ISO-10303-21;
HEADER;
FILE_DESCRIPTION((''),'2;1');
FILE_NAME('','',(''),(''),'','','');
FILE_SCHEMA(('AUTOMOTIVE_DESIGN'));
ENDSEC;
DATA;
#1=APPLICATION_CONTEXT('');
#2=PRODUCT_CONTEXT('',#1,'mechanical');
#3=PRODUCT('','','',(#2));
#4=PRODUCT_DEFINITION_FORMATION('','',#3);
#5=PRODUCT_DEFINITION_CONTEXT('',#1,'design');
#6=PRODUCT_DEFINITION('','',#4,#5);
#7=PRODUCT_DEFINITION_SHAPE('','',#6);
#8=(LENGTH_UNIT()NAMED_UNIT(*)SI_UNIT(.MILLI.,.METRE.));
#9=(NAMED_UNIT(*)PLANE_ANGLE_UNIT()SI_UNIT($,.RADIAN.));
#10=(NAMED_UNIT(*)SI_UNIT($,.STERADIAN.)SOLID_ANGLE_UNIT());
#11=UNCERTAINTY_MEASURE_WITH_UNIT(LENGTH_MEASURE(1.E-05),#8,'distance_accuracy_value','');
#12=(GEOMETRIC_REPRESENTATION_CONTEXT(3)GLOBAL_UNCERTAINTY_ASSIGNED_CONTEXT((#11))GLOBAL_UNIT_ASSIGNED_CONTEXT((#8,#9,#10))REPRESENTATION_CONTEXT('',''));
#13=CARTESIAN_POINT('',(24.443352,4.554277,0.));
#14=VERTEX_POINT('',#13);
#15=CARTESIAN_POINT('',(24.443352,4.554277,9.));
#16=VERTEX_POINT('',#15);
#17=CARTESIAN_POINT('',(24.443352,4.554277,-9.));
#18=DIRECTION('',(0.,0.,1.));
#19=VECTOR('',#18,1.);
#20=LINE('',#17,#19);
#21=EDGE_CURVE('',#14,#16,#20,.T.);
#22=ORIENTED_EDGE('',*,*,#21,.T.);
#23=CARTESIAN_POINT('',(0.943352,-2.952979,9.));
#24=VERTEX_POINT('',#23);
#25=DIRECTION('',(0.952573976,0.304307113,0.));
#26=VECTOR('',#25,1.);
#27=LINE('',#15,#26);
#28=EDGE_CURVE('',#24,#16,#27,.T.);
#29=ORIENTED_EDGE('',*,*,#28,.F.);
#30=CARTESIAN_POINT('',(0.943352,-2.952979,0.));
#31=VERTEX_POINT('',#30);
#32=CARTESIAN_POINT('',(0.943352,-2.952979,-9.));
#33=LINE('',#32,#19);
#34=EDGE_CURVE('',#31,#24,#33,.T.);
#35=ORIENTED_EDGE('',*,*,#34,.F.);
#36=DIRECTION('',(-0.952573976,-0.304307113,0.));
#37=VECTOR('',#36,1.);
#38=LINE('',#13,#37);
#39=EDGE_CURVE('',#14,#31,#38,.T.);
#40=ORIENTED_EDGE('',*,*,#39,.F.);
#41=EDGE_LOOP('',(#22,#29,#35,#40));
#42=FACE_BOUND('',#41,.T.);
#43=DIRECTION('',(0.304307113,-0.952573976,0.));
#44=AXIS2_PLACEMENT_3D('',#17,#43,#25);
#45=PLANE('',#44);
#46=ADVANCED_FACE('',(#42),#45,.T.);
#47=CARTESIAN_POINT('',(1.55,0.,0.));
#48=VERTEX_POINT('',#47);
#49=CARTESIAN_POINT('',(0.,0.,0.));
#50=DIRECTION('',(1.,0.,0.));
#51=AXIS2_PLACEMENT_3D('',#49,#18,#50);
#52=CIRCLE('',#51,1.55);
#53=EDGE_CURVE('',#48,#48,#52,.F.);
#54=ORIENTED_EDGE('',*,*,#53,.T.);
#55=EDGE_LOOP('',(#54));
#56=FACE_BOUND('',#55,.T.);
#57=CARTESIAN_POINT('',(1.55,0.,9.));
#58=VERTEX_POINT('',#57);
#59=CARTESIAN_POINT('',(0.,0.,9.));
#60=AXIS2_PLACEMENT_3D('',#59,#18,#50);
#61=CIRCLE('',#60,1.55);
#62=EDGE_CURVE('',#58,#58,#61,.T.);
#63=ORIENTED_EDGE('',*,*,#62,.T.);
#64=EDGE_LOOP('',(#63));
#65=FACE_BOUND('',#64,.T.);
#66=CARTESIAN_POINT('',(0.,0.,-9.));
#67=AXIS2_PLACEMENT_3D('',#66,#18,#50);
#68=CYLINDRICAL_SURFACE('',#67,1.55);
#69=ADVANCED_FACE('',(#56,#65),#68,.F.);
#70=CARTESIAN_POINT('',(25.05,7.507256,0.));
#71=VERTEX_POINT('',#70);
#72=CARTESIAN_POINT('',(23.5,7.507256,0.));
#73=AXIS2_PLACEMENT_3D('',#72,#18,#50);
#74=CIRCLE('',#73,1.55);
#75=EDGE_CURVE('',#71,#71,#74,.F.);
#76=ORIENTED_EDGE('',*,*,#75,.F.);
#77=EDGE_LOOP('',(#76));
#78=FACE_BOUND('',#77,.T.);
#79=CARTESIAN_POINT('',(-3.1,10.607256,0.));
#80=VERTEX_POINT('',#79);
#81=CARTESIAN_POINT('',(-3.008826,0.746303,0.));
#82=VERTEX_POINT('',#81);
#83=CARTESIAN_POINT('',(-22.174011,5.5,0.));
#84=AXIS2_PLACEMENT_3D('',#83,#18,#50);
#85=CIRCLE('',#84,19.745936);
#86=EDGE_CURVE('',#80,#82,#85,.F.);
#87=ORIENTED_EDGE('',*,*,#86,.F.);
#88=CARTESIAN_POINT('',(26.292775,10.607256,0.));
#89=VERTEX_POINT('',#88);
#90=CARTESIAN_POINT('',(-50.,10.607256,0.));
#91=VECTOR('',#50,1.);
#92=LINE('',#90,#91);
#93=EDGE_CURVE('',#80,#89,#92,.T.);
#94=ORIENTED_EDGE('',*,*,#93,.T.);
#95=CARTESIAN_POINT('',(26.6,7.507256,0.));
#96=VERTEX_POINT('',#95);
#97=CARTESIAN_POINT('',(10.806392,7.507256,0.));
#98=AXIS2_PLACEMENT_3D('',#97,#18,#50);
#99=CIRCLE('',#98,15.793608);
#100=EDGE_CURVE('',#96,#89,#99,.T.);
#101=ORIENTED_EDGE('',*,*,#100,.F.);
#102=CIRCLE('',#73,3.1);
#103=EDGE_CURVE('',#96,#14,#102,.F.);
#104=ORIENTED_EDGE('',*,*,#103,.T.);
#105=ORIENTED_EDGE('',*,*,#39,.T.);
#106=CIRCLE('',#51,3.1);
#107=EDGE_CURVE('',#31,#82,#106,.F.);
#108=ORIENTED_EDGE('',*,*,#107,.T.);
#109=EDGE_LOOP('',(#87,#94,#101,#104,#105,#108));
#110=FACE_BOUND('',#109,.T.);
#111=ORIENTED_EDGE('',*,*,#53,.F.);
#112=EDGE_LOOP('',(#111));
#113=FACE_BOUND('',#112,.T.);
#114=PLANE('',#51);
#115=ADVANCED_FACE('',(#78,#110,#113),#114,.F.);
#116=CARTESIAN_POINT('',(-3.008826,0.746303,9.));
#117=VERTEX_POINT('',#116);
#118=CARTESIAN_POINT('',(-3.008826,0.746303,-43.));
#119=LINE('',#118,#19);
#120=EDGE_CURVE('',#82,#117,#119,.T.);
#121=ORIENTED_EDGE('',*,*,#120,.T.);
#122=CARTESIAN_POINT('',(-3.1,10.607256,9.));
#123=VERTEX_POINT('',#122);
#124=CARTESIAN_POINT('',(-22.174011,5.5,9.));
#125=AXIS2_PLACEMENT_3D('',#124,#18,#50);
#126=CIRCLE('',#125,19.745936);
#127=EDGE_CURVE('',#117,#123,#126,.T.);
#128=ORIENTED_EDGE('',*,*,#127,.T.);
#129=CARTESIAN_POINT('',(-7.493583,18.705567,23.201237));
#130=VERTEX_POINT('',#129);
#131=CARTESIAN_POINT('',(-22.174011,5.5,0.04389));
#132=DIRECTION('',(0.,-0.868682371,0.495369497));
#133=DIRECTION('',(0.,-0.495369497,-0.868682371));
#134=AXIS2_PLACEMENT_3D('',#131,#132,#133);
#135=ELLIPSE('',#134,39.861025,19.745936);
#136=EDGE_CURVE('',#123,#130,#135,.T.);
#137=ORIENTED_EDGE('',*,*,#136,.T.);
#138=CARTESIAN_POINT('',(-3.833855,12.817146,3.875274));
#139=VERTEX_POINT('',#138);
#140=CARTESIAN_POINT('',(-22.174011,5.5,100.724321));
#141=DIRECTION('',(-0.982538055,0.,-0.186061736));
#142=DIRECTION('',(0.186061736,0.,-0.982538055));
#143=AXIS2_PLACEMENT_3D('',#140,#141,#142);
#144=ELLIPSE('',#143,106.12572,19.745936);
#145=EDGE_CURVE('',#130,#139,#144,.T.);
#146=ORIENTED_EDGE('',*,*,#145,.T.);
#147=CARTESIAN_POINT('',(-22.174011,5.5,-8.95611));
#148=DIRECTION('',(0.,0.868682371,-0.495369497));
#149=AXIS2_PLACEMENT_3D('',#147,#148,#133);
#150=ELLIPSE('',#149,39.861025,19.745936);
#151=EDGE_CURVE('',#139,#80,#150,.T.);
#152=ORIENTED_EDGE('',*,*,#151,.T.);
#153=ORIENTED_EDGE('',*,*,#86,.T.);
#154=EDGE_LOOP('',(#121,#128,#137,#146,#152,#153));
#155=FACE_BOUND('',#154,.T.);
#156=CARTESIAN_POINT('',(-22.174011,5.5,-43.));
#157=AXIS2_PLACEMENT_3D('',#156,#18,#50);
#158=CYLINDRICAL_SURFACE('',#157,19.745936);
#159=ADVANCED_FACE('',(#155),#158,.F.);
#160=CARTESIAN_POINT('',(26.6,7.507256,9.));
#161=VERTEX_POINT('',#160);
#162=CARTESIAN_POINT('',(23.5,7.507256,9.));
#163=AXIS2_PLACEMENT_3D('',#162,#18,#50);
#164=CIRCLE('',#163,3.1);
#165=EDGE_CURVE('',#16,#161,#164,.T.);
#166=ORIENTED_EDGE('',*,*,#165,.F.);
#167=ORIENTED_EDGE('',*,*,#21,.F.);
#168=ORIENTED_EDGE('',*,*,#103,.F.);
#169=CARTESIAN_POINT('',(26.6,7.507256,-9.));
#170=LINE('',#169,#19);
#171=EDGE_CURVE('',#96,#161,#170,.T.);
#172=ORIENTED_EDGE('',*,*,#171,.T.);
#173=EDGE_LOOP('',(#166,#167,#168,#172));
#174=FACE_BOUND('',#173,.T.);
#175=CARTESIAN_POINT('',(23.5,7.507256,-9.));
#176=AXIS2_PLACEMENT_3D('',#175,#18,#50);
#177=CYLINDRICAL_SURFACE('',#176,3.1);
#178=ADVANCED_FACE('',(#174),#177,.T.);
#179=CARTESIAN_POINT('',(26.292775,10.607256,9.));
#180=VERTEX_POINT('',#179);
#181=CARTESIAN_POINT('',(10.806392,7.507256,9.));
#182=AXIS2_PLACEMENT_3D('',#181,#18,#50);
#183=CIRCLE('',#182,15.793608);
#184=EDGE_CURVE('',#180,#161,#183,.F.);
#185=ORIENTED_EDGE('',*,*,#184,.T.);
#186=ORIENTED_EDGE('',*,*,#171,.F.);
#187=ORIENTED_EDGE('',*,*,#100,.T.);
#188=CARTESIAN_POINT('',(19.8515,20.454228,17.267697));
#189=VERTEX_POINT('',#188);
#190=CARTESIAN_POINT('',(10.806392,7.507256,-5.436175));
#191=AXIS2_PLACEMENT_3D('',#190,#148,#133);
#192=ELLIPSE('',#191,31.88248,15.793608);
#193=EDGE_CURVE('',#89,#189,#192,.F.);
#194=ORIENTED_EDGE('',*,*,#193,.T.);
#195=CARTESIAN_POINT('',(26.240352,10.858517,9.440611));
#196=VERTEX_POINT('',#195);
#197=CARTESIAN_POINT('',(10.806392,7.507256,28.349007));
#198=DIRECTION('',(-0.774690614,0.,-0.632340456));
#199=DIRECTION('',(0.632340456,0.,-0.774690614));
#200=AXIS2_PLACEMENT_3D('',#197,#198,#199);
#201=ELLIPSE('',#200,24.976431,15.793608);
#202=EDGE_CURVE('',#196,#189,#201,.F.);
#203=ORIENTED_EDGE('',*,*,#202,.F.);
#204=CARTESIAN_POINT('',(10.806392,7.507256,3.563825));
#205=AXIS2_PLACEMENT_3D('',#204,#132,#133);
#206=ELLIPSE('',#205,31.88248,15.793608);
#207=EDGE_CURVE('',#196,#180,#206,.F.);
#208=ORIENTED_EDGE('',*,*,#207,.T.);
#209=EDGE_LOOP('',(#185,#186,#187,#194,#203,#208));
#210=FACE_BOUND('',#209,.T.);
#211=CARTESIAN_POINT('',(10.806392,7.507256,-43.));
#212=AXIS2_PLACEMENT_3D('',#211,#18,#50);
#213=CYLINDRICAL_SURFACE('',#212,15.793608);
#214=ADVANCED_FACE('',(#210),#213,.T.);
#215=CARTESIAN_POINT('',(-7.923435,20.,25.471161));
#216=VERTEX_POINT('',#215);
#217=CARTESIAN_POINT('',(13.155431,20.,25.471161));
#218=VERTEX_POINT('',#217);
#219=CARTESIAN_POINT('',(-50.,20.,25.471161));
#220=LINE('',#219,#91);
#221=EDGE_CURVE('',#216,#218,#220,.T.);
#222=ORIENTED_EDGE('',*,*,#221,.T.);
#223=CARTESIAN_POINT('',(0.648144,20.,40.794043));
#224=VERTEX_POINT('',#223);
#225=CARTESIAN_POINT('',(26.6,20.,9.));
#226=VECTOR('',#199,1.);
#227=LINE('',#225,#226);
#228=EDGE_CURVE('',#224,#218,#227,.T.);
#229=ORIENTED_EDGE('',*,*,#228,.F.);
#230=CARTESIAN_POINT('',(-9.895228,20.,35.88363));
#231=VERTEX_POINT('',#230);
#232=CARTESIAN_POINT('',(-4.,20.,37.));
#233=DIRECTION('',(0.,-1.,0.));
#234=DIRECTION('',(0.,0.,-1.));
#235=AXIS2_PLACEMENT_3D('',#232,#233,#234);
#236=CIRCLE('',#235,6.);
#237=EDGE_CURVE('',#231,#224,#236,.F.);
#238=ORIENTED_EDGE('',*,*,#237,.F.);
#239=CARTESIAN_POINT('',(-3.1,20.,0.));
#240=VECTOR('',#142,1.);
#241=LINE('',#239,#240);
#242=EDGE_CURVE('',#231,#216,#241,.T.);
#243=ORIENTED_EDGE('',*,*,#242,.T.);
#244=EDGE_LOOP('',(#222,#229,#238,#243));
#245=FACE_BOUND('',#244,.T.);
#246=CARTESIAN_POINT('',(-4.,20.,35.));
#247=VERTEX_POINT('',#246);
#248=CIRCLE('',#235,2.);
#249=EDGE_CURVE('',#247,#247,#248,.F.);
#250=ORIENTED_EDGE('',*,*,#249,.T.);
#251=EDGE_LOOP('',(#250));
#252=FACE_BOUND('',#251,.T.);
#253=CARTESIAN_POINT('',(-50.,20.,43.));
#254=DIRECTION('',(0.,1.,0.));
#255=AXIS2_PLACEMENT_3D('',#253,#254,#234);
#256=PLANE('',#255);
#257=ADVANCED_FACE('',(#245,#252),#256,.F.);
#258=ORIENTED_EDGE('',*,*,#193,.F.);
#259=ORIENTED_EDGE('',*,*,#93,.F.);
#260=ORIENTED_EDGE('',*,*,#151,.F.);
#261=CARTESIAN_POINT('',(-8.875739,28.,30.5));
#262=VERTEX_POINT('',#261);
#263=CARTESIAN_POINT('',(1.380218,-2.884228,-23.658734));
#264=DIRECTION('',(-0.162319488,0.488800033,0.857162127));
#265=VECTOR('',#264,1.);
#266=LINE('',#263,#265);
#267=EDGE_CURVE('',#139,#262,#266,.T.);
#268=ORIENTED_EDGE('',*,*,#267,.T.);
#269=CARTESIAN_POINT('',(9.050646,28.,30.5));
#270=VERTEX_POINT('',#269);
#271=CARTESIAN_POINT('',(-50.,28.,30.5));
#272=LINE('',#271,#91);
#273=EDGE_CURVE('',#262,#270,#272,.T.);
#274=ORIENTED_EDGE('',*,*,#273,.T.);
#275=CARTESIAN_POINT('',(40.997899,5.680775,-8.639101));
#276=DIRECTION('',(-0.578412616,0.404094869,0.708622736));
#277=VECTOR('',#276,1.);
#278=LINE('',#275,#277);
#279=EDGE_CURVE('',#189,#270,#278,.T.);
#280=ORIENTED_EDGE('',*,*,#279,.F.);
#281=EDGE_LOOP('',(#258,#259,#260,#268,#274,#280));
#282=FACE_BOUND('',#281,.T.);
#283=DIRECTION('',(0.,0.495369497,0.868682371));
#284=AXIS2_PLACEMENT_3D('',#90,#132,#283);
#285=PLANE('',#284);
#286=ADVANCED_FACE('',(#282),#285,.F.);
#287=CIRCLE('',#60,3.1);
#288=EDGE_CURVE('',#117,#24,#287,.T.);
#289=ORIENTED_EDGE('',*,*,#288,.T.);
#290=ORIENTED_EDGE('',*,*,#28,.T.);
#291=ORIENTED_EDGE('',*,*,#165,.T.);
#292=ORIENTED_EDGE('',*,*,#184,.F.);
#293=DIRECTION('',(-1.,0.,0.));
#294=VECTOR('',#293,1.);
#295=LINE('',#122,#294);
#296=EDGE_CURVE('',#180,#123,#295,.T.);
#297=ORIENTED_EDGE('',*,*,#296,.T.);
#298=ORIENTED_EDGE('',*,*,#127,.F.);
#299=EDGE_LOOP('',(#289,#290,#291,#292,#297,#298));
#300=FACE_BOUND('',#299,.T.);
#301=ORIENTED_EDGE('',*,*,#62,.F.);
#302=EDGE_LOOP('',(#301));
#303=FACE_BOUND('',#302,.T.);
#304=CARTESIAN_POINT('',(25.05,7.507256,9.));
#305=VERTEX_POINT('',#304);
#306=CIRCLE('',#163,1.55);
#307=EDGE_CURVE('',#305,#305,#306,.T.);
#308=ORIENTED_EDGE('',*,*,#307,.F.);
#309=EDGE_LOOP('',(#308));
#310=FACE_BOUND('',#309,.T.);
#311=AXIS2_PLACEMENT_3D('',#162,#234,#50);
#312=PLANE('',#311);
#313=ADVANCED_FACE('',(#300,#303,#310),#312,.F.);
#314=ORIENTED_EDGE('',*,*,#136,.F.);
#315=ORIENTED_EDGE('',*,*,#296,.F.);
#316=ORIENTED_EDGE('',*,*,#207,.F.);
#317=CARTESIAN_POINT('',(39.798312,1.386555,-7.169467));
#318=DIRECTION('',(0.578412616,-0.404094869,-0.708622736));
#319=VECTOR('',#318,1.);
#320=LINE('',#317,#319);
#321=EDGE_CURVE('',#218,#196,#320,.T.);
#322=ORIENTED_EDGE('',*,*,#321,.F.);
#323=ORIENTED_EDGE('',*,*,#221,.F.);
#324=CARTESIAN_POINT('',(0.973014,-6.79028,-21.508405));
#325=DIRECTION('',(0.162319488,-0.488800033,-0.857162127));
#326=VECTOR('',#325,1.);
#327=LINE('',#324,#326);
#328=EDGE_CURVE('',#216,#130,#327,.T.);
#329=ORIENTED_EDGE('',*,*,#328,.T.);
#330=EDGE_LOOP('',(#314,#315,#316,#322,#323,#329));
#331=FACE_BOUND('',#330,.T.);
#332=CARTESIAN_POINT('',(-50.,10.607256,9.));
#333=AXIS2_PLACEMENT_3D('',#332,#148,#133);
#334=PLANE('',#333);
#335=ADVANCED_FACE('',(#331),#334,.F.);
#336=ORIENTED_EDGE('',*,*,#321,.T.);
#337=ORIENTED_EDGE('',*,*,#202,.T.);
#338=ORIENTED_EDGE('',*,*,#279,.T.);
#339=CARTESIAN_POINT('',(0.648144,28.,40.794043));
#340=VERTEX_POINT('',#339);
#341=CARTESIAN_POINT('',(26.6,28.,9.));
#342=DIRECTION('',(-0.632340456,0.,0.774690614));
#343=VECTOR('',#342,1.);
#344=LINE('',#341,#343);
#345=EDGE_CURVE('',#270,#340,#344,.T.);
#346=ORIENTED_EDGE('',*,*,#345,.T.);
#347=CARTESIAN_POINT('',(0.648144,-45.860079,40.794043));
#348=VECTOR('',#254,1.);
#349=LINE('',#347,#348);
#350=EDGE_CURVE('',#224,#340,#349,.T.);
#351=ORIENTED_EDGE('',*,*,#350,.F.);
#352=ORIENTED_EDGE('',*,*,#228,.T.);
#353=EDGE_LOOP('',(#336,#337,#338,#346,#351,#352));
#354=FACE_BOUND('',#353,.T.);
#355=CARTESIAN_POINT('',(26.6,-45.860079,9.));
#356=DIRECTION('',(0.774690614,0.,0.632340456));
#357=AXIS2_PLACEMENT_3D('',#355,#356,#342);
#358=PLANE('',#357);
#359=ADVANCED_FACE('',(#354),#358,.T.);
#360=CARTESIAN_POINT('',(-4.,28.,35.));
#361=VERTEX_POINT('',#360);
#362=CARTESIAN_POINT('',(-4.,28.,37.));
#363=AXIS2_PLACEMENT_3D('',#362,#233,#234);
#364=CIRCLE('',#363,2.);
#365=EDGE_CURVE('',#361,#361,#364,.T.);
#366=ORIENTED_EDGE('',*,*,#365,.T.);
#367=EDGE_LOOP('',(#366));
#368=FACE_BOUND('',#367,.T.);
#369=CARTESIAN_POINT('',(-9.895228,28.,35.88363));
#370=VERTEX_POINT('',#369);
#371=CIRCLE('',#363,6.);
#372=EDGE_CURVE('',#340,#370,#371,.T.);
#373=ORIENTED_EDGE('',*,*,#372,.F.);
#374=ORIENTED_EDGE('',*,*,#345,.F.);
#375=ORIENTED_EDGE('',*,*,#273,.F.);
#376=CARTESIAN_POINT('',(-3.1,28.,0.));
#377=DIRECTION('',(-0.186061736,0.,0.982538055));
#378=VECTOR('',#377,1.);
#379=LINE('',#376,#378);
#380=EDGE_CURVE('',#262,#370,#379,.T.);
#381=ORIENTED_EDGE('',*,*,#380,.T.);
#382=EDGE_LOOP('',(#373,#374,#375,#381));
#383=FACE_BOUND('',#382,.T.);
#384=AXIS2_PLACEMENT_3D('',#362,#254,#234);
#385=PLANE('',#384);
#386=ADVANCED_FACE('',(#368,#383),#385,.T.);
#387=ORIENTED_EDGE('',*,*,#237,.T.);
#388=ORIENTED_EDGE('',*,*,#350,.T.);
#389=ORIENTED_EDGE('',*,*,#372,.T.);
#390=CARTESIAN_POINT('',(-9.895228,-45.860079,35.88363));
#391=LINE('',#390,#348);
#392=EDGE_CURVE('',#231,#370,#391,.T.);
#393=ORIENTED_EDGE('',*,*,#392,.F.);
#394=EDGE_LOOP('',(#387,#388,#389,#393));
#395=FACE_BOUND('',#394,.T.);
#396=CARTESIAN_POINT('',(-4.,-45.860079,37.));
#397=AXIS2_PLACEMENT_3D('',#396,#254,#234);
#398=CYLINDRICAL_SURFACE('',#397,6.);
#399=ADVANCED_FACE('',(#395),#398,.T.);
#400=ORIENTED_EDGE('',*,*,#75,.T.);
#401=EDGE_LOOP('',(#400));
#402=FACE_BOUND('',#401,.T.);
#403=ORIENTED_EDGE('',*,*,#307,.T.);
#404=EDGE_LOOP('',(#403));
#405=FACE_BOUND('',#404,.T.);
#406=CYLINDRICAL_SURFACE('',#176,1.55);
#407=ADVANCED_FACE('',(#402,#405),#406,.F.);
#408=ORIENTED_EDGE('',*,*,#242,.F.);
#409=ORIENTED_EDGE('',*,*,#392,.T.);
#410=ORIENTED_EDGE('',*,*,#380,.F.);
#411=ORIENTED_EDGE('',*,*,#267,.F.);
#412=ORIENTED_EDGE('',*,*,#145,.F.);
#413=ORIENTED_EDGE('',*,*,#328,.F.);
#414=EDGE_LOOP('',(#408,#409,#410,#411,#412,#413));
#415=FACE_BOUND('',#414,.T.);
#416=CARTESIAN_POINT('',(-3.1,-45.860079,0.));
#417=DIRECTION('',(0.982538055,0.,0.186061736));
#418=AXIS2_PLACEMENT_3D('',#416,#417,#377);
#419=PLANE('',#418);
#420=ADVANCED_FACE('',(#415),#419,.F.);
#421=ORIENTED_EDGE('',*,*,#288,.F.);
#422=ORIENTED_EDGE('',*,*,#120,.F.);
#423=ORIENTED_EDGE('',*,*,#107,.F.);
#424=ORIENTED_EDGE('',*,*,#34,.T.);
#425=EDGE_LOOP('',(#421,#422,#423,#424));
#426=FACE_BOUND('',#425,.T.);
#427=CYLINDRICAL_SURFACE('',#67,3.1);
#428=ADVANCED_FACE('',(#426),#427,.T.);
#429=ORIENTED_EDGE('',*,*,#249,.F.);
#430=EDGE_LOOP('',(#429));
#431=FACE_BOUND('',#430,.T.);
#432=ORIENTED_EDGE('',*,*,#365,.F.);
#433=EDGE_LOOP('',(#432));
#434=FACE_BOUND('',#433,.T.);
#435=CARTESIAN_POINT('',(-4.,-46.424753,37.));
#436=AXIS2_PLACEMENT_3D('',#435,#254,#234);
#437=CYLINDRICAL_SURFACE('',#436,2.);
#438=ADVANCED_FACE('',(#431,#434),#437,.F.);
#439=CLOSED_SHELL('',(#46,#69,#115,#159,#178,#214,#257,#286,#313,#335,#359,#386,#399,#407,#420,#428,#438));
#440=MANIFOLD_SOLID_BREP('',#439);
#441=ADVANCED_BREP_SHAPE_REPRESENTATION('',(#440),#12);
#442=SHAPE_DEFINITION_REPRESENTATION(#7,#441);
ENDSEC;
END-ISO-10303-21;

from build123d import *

# Parameters (mm, degrees)
SKETCH1_R            = 1.55
BOSS_EXTRUDE1_DEPTH  = 9
BOSS_EXTRUDE12_DEPTH = 17.39274351
SKETCH7_3_OUTSIDE_W  = 51.494
SKETCH7_3_OUTSIDE_H  = 57.894
SKETCH7_3_OUTSIDE_R  = 2
CUT_EXTRUDE3_DEPTH   = 17.39274351
CUT_EXTRUDE2_DEPTH   = 50
CUT_EXTRUDE5_DEPTH   = 58.797577804
CUT_EXTRUDE7_DEPTH   = 58.797577804
SKETCH15_W           = 41.045636652
SKETCH15_H           = 32.401588668
CUT_EXTRUDE8_DEPTH   = 58.797577804


with BuildPart() as part:
    # Sketch1 → Boss-Extrude1 (new body)
    with BuildSketch(Plane.XY):
        with BuildLine():
            Line((26.6, 7.50725649), (26.6, 10.60725649))
            Line((26.6, 10.60725649), (-3.1, 10.60725649))
            Line((-3.1, 10.60725649), (-3.1, 0))
            ThreePointArc((-3.1, 0), (-1.828333755, -2.503436774), (0.943352052, -2.952979327))
            Line((0.943352052, -2.952979327), (24.443352052, 4.554277162))
            ThreePointArc((24.443352052, 4.554277162), (26.003436774, 5.678922735), (26.6, 7.50725649))
        make_face()
        Circle(SKETCH1_R, mode=Mode.SUBTRACT)
        with Locations((23.5, 7.50725649)):
            Circle(SKETCH1_R, mode=Mode.SUBTRACT)
    extrude(amount=-BOSS_EXTRUDE1_DEPTH)

    # Sketch7 → Boss-Extrude12 (add)
    with BuildSketch(Plane(origin=(0, 28, 0), x_dir=(1, 0, 0), z_dir=(0, 1, 0))):
        with BuildLine():
            Line((-3.1, 0), (-9.895228332, 35.883629581))
            ThreePointArc((-9.895228332, 35.883629581), (-6.533149103, 42.439039954), (0.648143683, 40.794042739))
            Line((0.648143683, 40.794042739), (26.6, 9))
            Line((26.6, 9), (26.6, 0))
            Line((26.6, 0), (-3.1, 0))
        make_face()
    extrude(amount=-BOSS_EXTRUDE12_DEPTH)

    # Sketch7<3> outside → Cut-Extrude3 (cut)
    # profile 1 of 2: a face of its own
    with BuildSketch(Plane(origin=(0, 28, 0), x_dir=(1, 0, 0), z_dir=(0, 1, 0))):
        with Locations((8.3, 21.5)):
            Rectangle(SKETCH7_3_OUTSIDE_W, SKETCH7_3_OUTSIDE_H)
        with BuildLine():
            Line((-3.1, 0), (-9.895228332, 35.883629581))
            ThreePointArc((-9.895228332, 35.883629581), (-6.533149103, 42.439039954), (0.648143683, 40.794042739))
            Line((0.648143683, 40.794042739), (26.6, 9))
            Line((26.6, 9), (26.6, 0))
            Line((26.6, 0), (-3.1, 0))
        make_face(mode=Mode.SUBTRACT)
    # profile 2 of 2: a face of its own
    with BuildSketch(Plane(origin=(0, 28, 0), x_dir=(1, 0, 0), z_dir=(0, 1, 0))):
        with Locations(Location((-4, 37, 0), (0, 0, 270))):
            Circle(SKETCH7_3_OUTSIDE_R)
    extrude(amount=-CUT_EXTRUDE3_DEPTH, mode=Mode.SUBTRACT)

    # Sketch8 → Cut-Extrude2 (cut, symmetric)
    with BuildSketch(Plane(origin=(0, 0, 0), x_dir=(0, 0, -1), z_dir=(1, 0, 0))):
        Polygon((0, 10.60725649), (30.5, 28), (0, 28), align=None)
        Polygon((43, 20), (25.471160912, 20), (9, 10.60725649), (43, 10.60725649), align=None)
    extrude(amount=CUT_EXTRUDE2_DEPTH, both=True, mode=Mode.SUBTRACT)

    # Sketch12 → Cut-Extrude5 (cut, through all)
    with BuildSketch(Plane.XY):
        with BuildLine():
            Line((-3.1, 0), (-7.493582912, 18.705566962))
            ThreePointArc((-7.493582912, 18.705566962), (-3.016370904, 10.284014045), (-3.008825552, 0.746303421))
            ThreePointArc((-3.008825552, 0.746303421), (-3.077121968, 0.375926049), (-3.1, 0))
        make_face()
    extrude(amount=-CUT_EXTRUDE5_DEPTH, mode=Mode.SUBTRACT)

    # Sketch14 → Cut-Extrude7 (cut, through all)
    with BuildSketch(Plane.XY):
        with BuildLine():
            Line((19.851500316, 20.45422786), (26.6, 15.73954146))
            Line((26.6, 15.73954146), (26.6, 7.50725649))
            ThreePointArc((26.6, 7.50725649), (24.811622249, 14.807364633), (19.851500316, 20.45422786))
        make_face()
    extrude(amount=-CUT_EXTRUDE7_DEPTH, mode=Mode.SUBTRACT)

    # Mirror9: part across plane


with BuildPart() as part_1:
    add(part.part)
    add(part.part.mirror(Plane.XY))

    # Sketch15 → Cut-Extrude8 (cut, through all)
    with BuildSketch(Plane.XY):
        with Locations((9.251388929, 12.77619049)):
            Rectangle(SKETCH15_W, SKETCH15_H)
    extrude(amount=-CUT_EXTRUDE8_DEPTH, mode=Mode.SUBTRACT)


solid = part_1.part
